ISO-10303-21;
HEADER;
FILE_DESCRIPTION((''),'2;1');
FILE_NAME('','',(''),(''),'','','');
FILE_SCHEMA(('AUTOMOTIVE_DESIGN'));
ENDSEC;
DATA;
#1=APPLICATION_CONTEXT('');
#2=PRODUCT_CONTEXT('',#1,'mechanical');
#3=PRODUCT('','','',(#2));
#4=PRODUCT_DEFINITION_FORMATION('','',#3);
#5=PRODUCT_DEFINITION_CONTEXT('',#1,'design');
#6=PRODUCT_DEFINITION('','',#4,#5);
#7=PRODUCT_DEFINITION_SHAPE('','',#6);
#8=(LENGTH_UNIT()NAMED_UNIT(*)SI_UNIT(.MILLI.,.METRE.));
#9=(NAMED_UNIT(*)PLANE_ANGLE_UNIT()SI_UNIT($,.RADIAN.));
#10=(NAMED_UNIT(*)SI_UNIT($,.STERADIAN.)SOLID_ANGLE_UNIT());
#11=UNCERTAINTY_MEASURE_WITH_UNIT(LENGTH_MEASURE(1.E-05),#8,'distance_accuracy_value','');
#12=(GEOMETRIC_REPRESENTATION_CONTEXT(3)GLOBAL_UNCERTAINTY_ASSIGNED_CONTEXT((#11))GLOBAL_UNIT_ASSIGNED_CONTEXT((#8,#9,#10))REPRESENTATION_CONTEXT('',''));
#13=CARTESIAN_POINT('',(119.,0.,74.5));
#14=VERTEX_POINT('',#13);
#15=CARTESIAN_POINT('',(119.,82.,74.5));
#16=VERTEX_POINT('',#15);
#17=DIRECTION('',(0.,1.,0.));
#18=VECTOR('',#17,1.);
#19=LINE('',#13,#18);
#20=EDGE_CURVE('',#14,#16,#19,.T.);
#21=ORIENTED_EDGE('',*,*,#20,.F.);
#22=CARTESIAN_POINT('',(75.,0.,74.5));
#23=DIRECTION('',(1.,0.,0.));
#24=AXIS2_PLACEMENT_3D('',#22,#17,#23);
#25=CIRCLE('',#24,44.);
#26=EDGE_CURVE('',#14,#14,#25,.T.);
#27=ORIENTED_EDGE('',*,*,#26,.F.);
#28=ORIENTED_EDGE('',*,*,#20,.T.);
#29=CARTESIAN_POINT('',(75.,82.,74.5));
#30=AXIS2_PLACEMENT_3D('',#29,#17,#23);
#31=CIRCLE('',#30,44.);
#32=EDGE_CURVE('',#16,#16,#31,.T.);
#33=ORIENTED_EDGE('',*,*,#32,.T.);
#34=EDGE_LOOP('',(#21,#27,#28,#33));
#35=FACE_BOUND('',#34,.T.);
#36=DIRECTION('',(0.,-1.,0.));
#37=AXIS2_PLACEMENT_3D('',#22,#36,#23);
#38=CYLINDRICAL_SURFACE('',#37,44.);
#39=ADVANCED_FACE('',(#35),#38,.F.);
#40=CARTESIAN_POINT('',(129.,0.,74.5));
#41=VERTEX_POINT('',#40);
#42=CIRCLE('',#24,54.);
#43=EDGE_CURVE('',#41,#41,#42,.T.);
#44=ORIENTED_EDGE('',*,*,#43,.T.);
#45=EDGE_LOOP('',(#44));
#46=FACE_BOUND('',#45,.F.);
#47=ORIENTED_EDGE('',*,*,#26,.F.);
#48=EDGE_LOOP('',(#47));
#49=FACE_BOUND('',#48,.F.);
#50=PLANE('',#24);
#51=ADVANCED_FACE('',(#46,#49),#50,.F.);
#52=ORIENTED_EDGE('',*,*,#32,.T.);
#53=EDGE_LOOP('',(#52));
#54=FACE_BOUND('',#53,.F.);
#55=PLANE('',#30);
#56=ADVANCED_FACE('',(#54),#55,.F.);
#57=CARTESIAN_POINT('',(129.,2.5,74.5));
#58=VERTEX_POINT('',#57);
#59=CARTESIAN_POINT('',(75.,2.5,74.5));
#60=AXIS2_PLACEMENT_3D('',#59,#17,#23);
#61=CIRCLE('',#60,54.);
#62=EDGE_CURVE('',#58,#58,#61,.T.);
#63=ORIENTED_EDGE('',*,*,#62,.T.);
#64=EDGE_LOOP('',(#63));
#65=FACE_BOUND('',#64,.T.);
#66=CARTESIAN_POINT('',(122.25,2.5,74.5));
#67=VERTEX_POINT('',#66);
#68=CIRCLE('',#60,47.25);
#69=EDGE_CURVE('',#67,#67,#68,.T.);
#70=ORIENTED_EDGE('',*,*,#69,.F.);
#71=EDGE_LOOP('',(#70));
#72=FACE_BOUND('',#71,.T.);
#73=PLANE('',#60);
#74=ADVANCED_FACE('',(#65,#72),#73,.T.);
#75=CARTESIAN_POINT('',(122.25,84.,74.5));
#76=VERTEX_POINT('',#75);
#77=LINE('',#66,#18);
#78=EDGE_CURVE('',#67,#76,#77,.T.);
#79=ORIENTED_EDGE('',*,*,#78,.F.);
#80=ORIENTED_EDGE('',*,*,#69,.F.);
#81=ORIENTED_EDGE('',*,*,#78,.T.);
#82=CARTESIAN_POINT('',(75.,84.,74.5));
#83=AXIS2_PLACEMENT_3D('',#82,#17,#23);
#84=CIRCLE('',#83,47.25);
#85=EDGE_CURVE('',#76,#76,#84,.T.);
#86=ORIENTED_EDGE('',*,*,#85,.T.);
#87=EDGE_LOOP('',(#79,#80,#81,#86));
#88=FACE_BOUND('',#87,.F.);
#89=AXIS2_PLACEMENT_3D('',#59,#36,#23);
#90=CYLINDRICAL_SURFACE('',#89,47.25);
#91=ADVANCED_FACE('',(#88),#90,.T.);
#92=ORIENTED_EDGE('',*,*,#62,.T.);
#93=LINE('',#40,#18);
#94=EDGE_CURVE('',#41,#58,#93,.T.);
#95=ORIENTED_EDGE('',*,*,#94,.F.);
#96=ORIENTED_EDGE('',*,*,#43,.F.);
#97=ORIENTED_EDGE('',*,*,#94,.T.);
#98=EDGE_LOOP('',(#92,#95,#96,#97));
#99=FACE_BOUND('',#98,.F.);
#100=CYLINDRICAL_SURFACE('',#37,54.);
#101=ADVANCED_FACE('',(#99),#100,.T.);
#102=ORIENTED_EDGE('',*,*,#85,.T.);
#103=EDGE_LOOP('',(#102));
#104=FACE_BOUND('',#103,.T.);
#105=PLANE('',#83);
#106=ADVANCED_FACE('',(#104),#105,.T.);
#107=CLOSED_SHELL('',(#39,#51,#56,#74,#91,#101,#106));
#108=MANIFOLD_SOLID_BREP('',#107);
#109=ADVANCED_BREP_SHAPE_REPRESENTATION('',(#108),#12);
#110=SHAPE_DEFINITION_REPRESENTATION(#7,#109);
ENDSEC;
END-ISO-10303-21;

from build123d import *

# Parameters (mm, degrees)
CYLINDER020_R             = 44
CYLINDER020_DEPTH         = 2.5
CYLINDER018_R             = 54
CYLINDER018_DEPTH         = 2.5
CYLINDER019_R             = 44
CYLINDER019_DEPTH         = 79.5
CYLINDER017_R             = 47.25
CYLINDER017_DEPTH         = 81.5
FUSION004_PLACEMENT_ANGLE = 90


with BuildPart() as cylinder016:
    # Cylinder020 → Cylinder020 (new body)
    with BuildSketch(Plane.XY.offset(-2.5)):
        Circle(CYLINDER020_R)
    extrude(amount=CYLINDER020_DEPTH)


with BuildPart() as cut004003:
    # Cylinder018 → Cylinder018 (new body)
    with BuildSketch(Plane.XY.offset(-2.5)):
        Circle(CYLINDER018_R)
    extrude(amount=CYLINDER018_DEPTH)

    # Cut004003: cut Cylinder016
    add(cylinder016.part, mode=Mode.SUBTRACT)


with BuildPart() as cylinder015:
    # Cylinder019 → Cylinder019 (new body)
    with BuildSketch(Plane.XY):
        Circle(CYLINDER019_R)
    extrude(amount=CYLINDER019_DEPTH)


with BuildPart() as cup:
    # Cylinder017 → Cylinder017 (new body)
    with BuildSketch(Plane.XY):
        Circle(CYLINDER017_R)
    extrude(amount=CYLINDER017_DEPTH)

    # Cut004002: cut Cylinder015
    add(cylinder015.part, mode=Mode.SUBTRACT)

    # Fusion004: union Cut004003
    add(cut004003.part)


with BuildPart() as cup_1:
    # Fusion004 placement: moved
    add(cup.part.moved(Location((75, 2.5, 74.5))).rotate(Axis((75, 2.5, 74.5), (-1, 0, 0)), FUSION004_PLACEMENT_ANGLE))


solid = cup_1.part
